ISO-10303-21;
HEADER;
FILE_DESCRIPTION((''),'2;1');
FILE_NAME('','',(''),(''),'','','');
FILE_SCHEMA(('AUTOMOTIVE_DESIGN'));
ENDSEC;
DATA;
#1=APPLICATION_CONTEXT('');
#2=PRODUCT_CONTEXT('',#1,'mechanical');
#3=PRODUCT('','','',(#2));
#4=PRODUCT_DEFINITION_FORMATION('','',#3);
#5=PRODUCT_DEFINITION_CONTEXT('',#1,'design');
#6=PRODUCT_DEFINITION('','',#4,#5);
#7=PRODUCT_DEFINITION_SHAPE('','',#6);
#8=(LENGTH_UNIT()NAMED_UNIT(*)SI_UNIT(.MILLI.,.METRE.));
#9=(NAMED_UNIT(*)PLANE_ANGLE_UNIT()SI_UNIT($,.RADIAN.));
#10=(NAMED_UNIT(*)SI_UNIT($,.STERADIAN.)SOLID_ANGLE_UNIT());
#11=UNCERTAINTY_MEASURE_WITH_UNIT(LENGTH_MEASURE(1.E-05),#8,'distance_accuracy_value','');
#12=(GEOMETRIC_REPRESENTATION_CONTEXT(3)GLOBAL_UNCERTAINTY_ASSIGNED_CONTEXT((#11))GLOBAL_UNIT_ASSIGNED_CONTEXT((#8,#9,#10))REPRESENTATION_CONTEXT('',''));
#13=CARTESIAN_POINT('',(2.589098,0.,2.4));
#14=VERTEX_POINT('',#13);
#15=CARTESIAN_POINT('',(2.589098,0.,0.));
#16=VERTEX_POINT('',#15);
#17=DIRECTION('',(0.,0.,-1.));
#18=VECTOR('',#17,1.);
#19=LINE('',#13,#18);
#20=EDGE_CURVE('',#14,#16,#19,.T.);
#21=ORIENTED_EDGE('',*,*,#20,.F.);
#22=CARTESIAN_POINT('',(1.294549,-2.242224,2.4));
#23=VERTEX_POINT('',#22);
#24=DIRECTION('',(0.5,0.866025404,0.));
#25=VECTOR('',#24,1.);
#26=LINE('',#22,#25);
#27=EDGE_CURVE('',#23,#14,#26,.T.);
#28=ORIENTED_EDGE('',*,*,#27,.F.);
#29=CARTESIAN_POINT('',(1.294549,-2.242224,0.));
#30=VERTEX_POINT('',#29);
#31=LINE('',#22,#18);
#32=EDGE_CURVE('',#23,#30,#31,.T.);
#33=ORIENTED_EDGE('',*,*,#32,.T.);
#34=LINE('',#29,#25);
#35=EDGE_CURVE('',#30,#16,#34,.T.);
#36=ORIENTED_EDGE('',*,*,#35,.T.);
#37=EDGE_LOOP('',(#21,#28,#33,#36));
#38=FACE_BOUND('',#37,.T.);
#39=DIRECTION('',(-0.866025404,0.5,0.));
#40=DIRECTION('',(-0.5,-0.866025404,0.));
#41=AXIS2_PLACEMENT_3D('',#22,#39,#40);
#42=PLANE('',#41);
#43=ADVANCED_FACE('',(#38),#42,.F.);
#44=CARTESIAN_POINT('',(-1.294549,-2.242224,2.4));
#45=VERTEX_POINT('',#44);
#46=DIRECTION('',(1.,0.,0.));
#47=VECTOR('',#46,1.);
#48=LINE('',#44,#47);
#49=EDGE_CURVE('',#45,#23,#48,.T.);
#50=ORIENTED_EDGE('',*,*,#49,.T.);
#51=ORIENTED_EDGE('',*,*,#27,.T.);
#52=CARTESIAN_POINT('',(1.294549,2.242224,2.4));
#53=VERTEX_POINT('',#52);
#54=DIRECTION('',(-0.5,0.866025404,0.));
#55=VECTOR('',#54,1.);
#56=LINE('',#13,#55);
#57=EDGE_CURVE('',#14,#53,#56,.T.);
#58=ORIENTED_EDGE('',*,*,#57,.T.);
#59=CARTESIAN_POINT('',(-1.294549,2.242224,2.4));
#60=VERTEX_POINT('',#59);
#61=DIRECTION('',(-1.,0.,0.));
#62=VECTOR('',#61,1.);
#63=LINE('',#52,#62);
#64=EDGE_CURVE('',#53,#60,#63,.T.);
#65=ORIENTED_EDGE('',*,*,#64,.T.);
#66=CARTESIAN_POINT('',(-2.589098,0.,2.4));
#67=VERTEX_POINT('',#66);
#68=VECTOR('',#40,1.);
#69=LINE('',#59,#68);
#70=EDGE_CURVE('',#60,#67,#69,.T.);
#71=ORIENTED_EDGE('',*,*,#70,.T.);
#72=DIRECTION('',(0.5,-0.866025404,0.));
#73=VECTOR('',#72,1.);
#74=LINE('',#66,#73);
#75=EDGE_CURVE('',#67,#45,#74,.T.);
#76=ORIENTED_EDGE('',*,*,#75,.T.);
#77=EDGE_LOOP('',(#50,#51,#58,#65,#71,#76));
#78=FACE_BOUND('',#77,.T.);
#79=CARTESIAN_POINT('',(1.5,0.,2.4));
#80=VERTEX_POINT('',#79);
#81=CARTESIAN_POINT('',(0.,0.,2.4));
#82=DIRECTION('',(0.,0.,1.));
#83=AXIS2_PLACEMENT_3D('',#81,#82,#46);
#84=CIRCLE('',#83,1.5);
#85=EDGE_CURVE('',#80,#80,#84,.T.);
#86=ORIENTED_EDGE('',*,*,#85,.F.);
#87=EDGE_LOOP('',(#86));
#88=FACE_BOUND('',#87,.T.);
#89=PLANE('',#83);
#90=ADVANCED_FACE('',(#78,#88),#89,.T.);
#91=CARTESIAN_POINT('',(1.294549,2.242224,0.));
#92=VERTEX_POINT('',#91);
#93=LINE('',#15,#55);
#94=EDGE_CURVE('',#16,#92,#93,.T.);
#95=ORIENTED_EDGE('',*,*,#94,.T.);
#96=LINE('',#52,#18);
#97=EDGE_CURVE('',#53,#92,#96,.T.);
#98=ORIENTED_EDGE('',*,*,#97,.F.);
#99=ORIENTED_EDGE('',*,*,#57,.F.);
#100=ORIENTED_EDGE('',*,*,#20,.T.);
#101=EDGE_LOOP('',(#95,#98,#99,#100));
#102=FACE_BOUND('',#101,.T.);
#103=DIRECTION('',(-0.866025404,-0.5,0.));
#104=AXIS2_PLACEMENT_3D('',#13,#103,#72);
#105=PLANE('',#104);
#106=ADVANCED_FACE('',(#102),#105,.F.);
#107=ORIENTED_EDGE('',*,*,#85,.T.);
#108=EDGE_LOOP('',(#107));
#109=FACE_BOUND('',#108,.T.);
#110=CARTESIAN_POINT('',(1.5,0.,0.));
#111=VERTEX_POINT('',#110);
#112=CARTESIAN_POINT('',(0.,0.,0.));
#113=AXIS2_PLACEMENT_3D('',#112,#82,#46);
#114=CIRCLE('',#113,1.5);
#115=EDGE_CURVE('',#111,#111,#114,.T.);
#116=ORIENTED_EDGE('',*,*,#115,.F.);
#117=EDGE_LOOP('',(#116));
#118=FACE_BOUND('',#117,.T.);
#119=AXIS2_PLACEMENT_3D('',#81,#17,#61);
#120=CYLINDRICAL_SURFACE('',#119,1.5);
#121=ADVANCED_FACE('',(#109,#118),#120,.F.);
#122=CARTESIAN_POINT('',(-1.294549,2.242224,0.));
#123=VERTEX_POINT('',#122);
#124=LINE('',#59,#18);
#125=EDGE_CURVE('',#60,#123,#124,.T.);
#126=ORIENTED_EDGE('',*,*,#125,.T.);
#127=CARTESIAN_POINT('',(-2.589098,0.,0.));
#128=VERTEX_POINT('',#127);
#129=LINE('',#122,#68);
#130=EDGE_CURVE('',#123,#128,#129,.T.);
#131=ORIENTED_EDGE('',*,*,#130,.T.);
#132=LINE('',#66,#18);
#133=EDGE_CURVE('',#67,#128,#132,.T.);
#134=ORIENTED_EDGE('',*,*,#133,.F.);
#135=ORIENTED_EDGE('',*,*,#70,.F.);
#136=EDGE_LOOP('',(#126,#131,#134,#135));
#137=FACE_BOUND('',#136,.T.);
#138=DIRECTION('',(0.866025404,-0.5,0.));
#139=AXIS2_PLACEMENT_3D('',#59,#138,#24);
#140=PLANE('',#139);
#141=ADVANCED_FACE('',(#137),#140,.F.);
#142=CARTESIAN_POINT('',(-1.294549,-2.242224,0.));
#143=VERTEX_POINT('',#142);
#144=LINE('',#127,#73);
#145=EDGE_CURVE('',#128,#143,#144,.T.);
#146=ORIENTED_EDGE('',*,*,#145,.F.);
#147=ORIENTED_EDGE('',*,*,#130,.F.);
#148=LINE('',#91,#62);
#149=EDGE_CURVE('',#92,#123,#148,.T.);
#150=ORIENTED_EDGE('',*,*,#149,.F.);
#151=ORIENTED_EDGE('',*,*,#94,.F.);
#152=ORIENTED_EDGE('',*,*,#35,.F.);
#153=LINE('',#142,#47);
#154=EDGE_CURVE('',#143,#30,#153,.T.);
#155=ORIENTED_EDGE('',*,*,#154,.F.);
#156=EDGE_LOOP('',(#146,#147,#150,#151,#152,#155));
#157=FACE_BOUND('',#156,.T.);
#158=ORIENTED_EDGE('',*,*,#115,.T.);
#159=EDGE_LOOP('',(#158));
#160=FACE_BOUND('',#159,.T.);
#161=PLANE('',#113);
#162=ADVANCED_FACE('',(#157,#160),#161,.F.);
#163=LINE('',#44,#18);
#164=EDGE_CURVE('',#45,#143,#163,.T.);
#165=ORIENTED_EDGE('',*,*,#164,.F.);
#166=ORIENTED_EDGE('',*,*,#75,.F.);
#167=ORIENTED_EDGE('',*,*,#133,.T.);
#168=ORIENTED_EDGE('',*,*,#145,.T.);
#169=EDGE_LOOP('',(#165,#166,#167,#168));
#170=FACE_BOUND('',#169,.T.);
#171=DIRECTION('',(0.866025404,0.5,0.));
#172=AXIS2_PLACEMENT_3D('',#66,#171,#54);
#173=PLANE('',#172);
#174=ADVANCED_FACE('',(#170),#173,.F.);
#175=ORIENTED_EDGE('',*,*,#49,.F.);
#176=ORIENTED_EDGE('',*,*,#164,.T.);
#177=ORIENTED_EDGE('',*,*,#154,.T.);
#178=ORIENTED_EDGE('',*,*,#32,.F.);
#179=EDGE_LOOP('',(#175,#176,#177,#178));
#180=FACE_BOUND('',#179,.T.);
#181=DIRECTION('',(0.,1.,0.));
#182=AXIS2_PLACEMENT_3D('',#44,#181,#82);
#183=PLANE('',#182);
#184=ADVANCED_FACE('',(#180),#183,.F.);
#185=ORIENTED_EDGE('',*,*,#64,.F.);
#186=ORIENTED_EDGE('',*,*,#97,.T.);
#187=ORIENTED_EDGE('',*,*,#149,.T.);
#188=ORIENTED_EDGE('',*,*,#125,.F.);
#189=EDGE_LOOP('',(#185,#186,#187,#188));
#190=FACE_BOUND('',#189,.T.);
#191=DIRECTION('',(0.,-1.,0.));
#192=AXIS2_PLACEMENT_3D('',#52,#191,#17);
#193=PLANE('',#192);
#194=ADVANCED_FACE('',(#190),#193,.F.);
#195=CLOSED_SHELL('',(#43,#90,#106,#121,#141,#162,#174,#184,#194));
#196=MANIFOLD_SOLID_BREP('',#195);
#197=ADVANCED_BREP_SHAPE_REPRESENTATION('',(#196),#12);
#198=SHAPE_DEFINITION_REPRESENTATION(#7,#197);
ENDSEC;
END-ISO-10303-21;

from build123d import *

# Parameters (mm, degrees)
SKETCH_1_R      = 1.5
EXTRUDE_1_DEPTH = 2.4


with BuildPart() as part:
    # 草图1 → 凸台-拉伸1 (new body)
    with BuildSketch(Plane.XY):
        Polygon((2.589097642, 0), (1.294548821, 2.242224331), (-1.294548821, 2.242224331), (-2.589097642, 0), (-1.294548821, -2.242224331), (1.294548821, -2.242224331), align=None)
        Circle(SKETCH_1_R, mode=Mode.SUBTRACT)
    extrude(amount=EXTRUDE_1_DEPTH)


solid = part.part
